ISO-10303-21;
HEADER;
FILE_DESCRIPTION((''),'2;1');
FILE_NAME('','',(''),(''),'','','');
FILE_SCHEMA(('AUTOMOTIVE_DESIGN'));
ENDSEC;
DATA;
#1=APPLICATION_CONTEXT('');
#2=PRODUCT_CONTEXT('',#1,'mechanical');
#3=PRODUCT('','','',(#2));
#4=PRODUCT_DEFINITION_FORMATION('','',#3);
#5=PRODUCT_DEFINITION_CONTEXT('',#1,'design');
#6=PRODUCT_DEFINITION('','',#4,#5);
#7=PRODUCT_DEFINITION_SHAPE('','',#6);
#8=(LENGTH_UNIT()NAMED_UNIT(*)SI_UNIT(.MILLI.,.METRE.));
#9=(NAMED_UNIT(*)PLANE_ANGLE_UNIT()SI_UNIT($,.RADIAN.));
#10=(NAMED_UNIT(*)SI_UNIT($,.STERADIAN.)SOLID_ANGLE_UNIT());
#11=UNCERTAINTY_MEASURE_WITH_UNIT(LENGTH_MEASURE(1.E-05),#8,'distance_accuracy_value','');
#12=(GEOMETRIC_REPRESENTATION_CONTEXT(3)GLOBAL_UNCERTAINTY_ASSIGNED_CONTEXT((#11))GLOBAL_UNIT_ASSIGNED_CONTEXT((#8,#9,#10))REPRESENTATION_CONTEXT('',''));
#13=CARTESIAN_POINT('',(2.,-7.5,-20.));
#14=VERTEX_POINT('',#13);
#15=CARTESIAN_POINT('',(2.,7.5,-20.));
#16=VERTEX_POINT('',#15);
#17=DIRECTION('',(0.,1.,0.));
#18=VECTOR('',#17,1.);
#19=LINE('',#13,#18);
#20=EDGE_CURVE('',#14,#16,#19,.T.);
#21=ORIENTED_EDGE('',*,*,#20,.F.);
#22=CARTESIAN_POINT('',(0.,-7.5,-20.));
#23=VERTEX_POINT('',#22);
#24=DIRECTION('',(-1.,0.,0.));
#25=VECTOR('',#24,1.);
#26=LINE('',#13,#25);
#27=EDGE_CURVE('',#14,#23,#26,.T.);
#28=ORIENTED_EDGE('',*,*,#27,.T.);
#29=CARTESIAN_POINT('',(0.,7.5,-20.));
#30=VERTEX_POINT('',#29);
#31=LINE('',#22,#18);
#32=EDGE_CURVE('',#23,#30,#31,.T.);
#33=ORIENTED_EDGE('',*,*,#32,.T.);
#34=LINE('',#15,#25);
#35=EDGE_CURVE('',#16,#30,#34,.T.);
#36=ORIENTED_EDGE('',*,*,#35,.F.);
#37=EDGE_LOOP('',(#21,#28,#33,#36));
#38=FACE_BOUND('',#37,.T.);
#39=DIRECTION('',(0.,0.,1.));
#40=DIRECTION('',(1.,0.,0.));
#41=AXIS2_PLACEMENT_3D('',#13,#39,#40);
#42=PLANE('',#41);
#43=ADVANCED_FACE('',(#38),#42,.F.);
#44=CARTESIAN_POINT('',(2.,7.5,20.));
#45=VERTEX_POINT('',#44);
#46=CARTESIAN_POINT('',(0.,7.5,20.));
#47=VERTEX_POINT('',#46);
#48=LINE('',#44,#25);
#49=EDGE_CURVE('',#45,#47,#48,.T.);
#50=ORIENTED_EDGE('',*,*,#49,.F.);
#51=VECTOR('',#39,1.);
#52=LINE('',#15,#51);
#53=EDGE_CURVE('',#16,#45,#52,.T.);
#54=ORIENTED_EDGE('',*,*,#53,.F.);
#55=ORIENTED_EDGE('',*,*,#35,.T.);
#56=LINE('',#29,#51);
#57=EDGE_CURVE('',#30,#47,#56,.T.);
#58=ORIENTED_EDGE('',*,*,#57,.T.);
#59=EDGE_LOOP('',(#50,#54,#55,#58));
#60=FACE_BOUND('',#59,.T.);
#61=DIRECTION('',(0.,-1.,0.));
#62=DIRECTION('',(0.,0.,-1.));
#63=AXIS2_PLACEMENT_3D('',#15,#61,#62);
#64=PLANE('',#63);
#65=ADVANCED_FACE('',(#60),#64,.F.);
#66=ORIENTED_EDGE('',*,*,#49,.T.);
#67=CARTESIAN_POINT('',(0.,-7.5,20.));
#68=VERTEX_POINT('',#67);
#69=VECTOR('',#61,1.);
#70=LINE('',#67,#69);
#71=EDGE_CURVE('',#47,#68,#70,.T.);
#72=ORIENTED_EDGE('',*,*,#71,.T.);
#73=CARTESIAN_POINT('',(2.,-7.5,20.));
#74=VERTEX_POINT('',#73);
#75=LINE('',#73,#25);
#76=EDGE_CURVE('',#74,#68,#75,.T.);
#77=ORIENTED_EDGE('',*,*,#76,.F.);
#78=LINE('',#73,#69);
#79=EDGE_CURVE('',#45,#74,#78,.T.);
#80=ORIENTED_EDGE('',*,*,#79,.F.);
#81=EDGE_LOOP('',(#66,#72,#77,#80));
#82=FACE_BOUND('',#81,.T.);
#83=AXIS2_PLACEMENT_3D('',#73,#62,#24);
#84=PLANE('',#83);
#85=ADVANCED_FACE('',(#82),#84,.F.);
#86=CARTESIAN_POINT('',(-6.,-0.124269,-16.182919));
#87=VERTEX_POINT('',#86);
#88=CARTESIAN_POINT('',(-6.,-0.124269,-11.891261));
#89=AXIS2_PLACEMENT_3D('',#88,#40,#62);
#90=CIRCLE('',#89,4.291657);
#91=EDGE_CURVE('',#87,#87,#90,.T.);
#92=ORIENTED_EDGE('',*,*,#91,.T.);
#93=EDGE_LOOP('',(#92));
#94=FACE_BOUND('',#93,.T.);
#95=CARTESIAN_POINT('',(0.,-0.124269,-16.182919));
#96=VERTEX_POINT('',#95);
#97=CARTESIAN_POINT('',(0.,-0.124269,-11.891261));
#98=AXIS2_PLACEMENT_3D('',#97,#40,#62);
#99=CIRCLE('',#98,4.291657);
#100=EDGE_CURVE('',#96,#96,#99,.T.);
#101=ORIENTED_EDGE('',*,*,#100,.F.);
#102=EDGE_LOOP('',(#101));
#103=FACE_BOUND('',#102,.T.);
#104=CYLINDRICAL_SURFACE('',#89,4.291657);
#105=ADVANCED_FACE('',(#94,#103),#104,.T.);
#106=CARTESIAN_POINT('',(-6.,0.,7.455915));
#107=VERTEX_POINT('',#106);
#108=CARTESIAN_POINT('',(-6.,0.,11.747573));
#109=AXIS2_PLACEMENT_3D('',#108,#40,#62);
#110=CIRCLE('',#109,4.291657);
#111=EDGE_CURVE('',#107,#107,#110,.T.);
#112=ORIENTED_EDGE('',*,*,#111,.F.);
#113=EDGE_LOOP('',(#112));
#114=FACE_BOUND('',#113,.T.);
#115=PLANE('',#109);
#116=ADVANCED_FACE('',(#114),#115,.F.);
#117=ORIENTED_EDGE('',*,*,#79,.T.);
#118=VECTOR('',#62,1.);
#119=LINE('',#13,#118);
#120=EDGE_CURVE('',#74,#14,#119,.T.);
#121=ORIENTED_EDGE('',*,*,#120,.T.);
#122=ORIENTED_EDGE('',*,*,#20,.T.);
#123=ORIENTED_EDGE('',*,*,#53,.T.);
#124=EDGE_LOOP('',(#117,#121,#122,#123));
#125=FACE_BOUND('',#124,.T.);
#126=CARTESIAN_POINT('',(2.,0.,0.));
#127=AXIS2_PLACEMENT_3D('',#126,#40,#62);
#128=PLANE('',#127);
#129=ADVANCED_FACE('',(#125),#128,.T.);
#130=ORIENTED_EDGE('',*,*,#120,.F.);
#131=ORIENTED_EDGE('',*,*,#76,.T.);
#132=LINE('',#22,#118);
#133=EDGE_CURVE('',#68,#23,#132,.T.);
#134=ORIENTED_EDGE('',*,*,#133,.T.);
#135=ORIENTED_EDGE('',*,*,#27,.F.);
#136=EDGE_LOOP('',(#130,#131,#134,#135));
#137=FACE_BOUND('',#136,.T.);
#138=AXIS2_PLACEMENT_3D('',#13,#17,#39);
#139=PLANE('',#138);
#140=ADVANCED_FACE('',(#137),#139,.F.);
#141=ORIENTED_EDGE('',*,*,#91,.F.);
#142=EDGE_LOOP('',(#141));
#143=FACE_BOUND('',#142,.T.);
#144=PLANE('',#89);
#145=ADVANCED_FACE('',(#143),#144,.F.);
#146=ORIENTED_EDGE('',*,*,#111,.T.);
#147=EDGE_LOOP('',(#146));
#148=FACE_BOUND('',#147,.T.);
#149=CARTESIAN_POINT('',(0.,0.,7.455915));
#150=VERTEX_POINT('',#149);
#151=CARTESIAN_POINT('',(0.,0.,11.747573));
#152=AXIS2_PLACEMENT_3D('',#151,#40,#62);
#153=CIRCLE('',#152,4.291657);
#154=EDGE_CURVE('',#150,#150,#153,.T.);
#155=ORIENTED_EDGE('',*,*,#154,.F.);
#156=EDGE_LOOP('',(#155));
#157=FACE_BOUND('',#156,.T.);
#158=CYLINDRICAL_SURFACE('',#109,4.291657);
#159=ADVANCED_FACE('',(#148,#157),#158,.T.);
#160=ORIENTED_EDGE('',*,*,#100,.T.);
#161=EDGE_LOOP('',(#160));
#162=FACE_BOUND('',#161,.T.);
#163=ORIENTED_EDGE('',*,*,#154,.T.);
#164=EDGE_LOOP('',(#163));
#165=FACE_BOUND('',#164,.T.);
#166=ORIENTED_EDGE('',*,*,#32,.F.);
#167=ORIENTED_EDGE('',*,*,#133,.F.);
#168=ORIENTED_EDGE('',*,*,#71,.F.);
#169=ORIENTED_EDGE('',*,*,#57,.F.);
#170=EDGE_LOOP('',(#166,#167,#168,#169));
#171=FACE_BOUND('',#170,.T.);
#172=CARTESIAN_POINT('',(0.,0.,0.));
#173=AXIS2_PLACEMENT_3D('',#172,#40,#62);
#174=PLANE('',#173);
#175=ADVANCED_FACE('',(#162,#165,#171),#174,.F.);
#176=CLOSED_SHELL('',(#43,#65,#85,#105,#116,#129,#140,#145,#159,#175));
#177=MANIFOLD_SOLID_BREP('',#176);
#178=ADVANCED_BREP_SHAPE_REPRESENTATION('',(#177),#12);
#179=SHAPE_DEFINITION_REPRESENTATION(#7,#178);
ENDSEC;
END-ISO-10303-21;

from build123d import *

# Parameters (mm, degrees)
SKETCH1_W           = 40
SKETCH1_H           = 15
SKETCH1_R           = 4.291657496
BOSS_EXTRUDE1_DEPTH = 2
BOSS_EXTRUDE2_START = -8
SKETCH2_R           = 4.291657496
BOSS_EXTRUDE2_DEPTH = 8


with BuildPart() as part:
    # Sketch1 → Boss-Extrude1 (new body)
    with BuildSketch(Plane(origin=(0, 0, 0), x_dir=(0, 0, -1), z_dir=(1, 0, 0))):
        Rectangle(SKETCH1_W, SKETCH1_H)
        with Locations((-11.747572816, 0)):
            Circle(SKETCH1_R, mode=Mode.SUBTRACT)
        with Locations((11.891261172, -0.124269275)):
            Circle(SKETCH1_R, mode=Mode.SUBTRACT)
    extrude(amount=BOSS_EXTRUDE1_DEPTH)

    # Sketch2 → Boss-Extrude2 (add)
    with BuildSketch(Plane(origin=(2, 0, 0), x_dir=(0, 0, -1), z_dir=(1, 0, 0)).offset(BOSS_EXTRUDE2_START)):
        with Locations((-11.747572816, 0)):
            Circle(SKETCH2_R)
        with Locations((11.891261172, -0.124269275)):
            Circle(SKETCH2_R)
    extrude(amount=BOSS_EXTRUDE2_DEPTH)


solid = part.part
